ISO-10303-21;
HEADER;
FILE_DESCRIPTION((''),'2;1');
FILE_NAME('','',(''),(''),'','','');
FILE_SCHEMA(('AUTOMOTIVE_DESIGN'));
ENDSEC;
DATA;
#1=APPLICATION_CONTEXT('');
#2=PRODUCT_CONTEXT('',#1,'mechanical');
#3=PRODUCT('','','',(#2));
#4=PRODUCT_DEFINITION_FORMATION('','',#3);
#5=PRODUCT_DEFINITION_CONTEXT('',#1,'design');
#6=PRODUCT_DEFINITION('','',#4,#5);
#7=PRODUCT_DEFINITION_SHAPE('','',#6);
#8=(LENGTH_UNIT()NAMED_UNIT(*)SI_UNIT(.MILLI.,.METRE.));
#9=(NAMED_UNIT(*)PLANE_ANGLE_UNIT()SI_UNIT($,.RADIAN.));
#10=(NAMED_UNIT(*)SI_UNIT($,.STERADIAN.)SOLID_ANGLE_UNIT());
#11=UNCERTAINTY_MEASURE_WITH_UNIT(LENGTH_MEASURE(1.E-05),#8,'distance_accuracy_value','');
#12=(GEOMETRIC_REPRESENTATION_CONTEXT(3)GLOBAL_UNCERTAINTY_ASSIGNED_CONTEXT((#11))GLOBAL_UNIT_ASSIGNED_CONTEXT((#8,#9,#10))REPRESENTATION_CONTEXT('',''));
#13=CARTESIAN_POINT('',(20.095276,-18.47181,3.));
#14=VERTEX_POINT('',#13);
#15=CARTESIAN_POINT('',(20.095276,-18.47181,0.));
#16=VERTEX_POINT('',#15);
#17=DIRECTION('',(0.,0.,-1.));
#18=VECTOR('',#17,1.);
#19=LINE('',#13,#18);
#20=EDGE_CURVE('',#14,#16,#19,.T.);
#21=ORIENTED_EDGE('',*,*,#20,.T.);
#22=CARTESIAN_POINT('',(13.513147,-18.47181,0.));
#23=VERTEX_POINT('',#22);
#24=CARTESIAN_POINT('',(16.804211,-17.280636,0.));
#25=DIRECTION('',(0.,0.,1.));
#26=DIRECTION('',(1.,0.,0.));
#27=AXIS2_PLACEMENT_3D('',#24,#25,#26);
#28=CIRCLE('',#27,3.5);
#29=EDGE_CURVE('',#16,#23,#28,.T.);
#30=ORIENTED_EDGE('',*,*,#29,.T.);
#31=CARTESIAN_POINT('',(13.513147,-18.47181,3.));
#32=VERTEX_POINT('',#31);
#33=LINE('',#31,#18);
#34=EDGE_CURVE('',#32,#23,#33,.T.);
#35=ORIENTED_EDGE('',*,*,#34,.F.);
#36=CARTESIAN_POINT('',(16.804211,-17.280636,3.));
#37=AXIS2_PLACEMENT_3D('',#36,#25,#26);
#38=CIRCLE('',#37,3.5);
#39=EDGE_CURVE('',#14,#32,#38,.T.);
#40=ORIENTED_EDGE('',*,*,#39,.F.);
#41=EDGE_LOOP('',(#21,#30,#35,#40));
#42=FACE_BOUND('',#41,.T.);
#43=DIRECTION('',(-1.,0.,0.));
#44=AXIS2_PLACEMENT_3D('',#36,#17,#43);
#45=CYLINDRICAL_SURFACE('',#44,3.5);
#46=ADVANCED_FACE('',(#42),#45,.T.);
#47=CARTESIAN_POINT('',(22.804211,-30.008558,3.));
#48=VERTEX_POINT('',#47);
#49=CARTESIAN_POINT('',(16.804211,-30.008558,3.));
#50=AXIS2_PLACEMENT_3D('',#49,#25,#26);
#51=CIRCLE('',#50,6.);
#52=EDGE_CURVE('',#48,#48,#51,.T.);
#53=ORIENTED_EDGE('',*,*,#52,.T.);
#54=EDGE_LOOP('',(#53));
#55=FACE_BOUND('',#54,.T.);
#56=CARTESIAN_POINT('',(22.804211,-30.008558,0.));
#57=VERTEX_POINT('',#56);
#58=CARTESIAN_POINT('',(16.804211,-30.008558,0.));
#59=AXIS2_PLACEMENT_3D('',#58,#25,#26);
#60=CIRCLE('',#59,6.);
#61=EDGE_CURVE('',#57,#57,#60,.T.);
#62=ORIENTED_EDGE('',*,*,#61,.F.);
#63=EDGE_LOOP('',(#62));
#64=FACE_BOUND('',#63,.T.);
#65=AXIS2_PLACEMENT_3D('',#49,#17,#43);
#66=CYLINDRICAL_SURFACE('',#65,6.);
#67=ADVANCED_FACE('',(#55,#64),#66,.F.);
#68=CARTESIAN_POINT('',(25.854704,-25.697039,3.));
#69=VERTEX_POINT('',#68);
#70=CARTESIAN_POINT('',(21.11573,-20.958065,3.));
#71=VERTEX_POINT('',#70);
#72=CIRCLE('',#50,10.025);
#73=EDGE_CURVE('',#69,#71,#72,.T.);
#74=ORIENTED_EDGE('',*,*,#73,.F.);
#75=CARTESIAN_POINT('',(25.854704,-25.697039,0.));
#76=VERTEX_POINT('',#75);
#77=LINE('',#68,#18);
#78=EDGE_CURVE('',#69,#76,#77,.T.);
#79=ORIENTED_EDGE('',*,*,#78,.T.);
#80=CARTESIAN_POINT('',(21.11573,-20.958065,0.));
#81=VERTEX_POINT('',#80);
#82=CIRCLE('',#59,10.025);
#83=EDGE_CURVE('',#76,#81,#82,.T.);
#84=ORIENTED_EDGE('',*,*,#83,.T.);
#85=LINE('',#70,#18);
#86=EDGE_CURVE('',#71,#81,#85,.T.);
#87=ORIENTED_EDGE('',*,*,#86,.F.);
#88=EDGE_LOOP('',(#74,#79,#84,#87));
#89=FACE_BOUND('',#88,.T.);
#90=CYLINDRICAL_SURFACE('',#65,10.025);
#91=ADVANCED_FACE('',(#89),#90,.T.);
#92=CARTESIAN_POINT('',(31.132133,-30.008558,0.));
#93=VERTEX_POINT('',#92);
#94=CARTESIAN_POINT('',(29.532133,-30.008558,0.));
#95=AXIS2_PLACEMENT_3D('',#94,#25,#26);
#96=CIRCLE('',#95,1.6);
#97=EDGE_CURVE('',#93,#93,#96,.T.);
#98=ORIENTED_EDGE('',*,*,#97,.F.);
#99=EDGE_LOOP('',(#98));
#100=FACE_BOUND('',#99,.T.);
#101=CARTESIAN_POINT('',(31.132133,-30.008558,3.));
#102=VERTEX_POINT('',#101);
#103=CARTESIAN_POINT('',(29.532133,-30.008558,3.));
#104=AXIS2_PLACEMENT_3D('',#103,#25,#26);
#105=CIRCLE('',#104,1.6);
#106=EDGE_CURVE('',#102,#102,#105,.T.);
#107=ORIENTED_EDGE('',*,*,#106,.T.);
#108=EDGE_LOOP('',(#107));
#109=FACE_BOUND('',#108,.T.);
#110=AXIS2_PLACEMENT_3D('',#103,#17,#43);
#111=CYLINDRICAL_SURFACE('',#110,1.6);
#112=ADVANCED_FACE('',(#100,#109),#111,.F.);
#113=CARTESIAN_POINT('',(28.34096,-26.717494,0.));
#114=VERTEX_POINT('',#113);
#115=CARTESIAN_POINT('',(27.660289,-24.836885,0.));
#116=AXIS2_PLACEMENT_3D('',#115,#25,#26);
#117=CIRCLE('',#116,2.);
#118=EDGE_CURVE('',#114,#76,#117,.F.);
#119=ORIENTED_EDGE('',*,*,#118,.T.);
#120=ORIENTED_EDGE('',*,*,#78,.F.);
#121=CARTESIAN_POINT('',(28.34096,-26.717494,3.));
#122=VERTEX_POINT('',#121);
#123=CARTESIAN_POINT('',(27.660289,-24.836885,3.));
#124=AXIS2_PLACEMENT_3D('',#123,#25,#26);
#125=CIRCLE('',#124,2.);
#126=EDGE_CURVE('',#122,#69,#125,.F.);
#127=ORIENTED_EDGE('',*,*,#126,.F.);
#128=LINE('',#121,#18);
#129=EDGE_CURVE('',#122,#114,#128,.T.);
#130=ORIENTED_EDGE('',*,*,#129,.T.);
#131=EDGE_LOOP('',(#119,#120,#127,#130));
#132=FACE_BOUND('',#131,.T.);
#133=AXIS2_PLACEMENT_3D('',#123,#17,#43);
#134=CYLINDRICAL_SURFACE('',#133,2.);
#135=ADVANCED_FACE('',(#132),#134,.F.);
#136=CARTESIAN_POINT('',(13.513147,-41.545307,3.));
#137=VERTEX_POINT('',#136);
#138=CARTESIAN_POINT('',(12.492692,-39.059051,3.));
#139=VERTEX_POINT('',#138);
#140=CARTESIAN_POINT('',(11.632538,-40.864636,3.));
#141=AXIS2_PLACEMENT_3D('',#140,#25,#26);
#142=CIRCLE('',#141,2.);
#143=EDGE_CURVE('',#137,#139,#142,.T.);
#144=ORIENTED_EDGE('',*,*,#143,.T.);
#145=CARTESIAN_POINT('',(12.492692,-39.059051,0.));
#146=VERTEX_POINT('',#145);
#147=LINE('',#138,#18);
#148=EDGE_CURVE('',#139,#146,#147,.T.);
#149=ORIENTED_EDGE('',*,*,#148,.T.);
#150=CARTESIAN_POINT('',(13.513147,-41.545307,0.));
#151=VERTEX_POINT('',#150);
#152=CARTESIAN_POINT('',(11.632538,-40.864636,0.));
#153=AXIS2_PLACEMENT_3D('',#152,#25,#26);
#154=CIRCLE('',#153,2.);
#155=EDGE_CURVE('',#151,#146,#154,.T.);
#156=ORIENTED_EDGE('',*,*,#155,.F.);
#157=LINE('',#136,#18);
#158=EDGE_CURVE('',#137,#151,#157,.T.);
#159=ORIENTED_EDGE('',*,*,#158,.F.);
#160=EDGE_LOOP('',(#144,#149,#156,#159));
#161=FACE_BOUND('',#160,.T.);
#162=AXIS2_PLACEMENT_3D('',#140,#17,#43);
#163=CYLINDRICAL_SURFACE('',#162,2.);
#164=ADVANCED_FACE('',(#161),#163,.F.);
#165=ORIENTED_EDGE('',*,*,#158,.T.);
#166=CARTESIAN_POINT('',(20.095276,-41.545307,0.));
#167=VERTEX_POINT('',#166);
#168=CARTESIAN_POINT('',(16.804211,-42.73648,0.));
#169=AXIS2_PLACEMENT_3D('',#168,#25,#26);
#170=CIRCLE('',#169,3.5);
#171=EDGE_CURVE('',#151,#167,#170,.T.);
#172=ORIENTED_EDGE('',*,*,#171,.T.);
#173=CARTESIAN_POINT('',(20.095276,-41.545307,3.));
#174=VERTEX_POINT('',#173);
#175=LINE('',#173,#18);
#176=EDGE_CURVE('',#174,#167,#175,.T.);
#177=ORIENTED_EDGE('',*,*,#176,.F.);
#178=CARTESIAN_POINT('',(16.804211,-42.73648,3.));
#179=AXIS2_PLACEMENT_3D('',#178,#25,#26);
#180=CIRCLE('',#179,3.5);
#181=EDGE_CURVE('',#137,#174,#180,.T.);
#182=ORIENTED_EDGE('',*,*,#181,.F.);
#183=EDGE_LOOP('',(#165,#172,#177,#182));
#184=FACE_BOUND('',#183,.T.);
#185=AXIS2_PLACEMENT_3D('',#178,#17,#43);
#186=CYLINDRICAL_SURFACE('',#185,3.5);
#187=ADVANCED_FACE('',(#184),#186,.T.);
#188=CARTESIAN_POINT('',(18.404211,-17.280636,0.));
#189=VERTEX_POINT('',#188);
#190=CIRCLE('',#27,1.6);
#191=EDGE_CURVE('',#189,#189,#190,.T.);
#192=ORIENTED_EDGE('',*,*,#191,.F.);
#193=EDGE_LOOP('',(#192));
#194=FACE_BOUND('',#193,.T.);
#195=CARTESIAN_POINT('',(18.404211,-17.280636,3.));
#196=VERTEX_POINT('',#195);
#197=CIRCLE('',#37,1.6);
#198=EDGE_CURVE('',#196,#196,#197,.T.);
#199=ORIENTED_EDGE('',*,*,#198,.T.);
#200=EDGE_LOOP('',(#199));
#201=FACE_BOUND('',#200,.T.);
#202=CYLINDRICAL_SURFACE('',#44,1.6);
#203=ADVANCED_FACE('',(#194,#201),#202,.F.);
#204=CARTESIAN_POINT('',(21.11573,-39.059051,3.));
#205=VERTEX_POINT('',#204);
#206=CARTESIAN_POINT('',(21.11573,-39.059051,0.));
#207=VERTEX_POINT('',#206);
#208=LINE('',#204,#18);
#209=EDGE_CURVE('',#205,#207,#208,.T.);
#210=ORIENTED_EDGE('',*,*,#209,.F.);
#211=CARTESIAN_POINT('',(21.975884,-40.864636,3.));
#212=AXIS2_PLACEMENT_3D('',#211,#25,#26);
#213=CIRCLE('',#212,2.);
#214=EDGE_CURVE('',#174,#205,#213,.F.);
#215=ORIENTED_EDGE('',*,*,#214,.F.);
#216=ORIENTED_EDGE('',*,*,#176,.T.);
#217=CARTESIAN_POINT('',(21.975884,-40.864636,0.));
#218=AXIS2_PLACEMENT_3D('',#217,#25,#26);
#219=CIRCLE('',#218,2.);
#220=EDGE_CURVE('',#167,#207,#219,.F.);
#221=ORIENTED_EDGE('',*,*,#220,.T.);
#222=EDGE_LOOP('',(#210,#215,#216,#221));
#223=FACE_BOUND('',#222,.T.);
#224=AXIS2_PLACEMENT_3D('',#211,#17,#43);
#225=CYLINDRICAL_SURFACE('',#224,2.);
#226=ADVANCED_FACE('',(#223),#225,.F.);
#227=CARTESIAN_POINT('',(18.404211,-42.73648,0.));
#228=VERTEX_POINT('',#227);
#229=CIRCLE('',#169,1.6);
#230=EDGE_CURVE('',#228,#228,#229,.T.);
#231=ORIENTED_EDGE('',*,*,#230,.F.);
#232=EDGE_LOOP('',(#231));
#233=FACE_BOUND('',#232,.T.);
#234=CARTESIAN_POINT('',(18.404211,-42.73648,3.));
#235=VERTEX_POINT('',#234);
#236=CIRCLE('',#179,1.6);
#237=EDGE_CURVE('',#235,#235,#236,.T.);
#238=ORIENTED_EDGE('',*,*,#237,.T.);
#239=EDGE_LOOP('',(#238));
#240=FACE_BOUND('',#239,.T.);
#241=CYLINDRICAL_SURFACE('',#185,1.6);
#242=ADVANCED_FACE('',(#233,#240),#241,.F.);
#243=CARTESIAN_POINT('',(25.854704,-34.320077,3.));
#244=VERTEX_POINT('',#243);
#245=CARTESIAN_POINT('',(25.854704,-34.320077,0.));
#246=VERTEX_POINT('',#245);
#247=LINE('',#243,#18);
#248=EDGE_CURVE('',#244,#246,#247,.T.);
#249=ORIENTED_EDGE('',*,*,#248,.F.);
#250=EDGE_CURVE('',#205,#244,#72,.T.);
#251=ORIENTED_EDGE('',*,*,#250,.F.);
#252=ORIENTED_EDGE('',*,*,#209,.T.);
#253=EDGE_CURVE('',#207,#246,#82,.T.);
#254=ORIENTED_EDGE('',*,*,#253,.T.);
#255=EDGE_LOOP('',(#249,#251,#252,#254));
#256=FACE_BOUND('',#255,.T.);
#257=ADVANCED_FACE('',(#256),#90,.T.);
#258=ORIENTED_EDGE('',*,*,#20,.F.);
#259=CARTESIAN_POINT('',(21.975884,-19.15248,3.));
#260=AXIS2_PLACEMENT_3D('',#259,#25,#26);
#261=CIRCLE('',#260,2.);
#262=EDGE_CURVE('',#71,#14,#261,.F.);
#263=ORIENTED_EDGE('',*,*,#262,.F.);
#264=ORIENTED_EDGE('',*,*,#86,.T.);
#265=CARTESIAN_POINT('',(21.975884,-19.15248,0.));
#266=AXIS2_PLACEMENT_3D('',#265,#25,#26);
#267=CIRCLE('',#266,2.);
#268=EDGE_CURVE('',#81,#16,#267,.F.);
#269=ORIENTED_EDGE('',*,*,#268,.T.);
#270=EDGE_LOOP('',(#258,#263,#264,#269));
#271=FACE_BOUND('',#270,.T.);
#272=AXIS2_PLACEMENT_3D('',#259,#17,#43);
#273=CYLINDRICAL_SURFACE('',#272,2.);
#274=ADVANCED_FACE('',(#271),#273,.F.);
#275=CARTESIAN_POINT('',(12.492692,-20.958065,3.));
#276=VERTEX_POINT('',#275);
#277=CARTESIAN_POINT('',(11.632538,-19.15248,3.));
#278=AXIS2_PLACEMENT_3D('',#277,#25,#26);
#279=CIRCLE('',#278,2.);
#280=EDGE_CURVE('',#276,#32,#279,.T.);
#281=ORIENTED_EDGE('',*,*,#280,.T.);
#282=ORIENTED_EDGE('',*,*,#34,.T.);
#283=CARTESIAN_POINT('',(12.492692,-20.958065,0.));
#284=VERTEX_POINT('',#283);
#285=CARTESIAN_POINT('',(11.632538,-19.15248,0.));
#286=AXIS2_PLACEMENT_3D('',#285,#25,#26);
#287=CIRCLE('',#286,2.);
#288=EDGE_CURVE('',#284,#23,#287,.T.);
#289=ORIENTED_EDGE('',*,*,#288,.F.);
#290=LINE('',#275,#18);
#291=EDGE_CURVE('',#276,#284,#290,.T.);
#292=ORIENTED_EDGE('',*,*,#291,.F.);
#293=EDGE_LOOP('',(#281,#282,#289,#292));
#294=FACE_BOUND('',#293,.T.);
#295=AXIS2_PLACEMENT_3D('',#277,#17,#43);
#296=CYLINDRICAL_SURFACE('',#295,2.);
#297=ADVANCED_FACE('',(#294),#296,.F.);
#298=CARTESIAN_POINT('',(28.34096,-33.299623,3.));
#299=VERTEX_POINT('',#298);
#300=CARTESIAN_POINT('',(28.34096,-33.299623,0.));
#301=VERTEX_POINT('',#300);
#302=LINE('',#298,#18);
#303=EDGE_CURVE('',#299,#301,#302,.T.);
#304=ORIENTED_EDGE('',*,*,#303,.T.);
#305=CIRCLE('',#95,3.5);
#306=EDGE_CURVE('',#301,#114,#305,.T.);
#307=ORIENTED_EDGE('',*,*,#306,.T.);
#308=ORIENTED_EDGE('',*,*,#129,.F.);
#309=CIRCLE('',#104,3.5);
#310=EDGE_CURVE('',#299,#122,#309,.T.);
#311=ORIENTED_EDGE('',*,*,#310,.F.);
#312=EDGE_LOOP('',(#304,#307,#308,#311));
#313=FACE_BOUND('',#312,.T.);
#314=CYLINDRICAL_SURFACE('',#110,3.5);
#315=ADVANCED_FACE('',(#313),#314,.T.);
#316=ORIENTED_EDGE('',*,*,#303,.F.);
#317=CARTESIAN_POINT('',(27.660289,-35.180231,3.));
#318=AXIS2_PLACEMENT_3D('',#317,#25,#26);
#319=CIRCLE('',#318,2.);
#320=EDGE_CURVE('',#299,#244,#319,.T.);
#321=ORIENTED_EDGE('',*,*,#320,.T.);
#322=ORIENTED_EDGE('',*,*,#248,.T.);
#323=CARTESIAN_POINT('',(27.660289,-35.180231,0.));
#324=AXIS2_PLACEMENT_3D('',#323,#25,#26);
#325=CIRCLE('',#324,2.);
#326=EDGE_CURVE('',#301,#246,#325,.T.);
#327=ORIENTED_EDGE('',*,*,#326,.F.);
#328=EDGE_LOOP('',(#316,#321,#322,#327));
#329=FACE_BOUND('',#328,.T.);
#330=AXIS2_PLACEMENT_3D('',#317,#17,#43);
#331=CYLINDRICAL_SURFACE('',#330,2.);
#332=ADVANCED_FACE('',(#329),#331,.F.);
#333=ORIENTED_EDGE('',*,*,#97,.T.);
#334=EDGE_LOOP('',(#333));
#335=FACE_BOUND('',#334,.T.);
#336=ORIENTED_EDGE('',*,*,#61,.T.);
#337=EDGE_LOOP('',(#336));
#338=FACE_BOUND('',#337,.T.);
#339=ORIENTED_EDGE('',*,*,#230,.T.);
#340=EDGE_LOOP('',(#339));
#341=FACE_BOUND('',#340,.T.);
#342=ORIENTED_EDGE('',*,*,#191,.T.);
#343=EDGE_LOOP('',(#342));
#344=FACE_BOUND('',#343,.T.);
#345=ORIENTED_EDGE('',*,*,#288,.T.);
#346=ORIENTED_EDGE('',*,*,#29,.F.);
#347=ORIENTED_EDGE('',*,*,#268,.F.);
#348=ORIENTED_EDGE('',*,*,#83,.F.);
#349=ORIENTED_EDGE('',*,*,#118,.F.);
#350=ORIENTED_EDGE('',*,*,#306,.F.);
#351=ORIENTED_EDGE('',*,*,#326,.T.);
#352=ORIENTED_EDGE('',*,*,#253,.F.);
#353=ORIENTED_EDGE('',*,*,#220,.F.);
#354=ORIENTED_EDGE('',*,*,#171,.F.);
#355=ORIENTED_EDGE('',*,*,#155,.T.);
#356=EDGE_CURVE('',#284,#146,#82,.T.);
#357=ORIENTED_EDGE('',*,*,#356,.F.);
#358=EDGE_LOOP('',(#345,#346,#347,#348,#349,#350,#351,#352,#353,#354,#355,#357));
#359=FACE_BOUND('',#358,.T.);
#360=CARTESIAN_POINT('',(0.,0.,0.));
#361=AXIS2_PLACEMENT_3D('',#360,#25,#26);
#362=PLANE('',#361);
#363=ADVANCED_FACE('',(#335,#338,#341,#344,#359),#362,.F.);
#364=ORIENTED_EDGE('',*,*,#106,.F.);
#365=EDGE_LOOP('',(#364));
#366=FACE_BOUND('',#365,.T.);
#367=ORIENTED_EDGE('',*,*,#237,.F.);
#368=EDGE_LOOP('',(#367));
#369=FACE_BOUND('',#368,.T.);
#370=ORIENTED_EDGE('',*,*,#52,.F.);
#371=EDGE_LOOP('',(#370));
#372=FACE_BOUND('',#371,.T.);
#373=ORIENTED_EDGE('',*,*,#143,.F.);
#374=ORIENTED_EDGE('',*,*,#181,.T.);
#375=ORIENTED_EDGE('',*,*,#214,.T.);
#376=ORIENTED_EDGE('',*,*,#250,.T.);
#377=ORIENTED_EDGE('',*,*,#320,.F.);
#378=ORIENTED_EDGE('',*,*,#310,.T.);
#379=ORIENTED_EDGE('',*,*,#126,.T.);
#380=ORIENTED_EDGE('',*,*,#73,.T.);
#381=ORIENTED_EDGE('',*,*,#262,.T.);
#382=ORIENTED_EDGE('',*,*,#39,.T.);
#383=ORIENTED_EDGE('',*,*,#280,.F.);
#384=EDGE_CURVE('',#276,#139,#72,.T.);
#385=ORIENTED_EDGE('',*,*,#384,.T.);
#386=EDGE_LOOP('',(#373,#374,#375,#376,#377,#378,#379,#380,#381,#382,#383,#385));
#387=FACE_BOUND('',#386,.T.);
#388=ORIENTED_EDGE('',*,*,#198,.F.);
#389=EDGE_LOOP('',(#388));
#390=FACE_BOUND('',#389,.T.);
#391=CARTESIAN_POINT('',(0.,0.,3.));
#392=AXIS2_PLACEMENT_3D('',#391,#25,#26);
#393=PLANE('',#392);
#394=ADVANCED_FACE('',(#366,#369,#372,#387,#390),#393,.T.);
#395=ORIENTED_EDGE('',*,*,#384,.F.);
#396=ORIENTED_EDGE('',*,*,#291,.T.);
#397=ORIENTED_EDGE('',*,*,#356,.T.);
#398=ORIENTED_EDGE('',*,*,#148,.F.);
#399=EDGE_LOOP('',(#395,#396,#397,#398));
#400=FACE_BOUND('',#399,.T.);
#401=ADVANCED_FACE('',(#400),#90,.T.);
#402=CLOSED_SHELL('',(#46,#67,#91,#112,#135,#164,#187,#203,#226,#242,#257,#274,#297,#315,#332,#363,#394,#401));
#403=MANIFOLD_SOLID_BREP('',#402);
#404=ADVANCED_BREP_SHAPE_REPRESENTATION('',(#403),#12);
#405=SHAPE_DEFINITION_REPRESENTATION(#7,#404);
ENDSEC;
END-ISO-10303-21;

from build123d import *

# Parameters (mm, degrees)
SKETCH1_R           = 1.6
SKETCH1_R_2         = 6
BOSS_EXTRUDE1_DEPTH = 3


with BuildPart() as part:
    # Sketch1 → Boss-Extrude1 (new body)
    with BuildSketch(Plane.XY):
        with BuildLine():
            ThreePointArc((13.513146708, -41.545306592), (16.804211194, -46.236480195), (20.095275679, -41.545306592))
            ThreePointArc((20.095275679, -41.545306592), (20.125665024, -40.105234948), (21.115730483, -39.059051292))
            ThreePointArc((21.115730483, -39.059051292), (23.892956675, -37.097303615), (25.854704352, -34.320077422))
            ThreePointArc((25.854704352, -34.320077422), (26.900888008, -33.330011964), (28.340959652, -33.299622619))
            ThreePointArc((28.340959652, -33.299622619), (33.032133255, -30.008558133), (28.340959652, -26.717493648))
            ThreePointArc((28.340959652, -26.717493648), (26.900888008, -26.687104303), (25.854704352, -25.697038844))
            ThreePointArc((25.854704352, -25.697038844), (23.892956675, -22.919812652), (21.115730483, -20.958064974))
            ThreePointArc((21.115730483, -20.958064974), (20.125665024, -19.911881319), (20.095275679, -18.471809674))
            ThreePointArc((20.095275679, -18.471809674), (16.804211194, -13.780636072), (13.513146708, -18.471809674))
            ThreePointArc((13.513146708, -18.471809674), (13.482757363, -19.911881319), (12.492691904, -20.958064974))
            ThreePointArc((12.492691904, -20.958064974), (6.779211194, -30.008558133), (12.492691904, -39.059051292))
            ThreePointArc((12.492691904, -39.059051292), (13.482757363, -40.105234948), (13.513146708, -41.545306592))
        make_face()
        with Locations((16.804211194, -17.280636072)):
            Circle(SKETCH1_R, mode=Mode.SUBTRACT)
        with Locations((16.804211194, -30.008558133)):
            Circle(SKETCH1_R_2, mode=Mode.SUBTRACT)
        with Locations((16.804211194, -42.736480195)):
            Circle(SKETCH1_R, mode=Mode.SUBTRACT)
        with Locations((29.532133255, -30.008558133)):
            Circle(SKETCH1_R, mode=Mode.SUBTRACT)
    extrude(amount=BOSS_EXTRUDE1_DEPTH)


solid = part.part
